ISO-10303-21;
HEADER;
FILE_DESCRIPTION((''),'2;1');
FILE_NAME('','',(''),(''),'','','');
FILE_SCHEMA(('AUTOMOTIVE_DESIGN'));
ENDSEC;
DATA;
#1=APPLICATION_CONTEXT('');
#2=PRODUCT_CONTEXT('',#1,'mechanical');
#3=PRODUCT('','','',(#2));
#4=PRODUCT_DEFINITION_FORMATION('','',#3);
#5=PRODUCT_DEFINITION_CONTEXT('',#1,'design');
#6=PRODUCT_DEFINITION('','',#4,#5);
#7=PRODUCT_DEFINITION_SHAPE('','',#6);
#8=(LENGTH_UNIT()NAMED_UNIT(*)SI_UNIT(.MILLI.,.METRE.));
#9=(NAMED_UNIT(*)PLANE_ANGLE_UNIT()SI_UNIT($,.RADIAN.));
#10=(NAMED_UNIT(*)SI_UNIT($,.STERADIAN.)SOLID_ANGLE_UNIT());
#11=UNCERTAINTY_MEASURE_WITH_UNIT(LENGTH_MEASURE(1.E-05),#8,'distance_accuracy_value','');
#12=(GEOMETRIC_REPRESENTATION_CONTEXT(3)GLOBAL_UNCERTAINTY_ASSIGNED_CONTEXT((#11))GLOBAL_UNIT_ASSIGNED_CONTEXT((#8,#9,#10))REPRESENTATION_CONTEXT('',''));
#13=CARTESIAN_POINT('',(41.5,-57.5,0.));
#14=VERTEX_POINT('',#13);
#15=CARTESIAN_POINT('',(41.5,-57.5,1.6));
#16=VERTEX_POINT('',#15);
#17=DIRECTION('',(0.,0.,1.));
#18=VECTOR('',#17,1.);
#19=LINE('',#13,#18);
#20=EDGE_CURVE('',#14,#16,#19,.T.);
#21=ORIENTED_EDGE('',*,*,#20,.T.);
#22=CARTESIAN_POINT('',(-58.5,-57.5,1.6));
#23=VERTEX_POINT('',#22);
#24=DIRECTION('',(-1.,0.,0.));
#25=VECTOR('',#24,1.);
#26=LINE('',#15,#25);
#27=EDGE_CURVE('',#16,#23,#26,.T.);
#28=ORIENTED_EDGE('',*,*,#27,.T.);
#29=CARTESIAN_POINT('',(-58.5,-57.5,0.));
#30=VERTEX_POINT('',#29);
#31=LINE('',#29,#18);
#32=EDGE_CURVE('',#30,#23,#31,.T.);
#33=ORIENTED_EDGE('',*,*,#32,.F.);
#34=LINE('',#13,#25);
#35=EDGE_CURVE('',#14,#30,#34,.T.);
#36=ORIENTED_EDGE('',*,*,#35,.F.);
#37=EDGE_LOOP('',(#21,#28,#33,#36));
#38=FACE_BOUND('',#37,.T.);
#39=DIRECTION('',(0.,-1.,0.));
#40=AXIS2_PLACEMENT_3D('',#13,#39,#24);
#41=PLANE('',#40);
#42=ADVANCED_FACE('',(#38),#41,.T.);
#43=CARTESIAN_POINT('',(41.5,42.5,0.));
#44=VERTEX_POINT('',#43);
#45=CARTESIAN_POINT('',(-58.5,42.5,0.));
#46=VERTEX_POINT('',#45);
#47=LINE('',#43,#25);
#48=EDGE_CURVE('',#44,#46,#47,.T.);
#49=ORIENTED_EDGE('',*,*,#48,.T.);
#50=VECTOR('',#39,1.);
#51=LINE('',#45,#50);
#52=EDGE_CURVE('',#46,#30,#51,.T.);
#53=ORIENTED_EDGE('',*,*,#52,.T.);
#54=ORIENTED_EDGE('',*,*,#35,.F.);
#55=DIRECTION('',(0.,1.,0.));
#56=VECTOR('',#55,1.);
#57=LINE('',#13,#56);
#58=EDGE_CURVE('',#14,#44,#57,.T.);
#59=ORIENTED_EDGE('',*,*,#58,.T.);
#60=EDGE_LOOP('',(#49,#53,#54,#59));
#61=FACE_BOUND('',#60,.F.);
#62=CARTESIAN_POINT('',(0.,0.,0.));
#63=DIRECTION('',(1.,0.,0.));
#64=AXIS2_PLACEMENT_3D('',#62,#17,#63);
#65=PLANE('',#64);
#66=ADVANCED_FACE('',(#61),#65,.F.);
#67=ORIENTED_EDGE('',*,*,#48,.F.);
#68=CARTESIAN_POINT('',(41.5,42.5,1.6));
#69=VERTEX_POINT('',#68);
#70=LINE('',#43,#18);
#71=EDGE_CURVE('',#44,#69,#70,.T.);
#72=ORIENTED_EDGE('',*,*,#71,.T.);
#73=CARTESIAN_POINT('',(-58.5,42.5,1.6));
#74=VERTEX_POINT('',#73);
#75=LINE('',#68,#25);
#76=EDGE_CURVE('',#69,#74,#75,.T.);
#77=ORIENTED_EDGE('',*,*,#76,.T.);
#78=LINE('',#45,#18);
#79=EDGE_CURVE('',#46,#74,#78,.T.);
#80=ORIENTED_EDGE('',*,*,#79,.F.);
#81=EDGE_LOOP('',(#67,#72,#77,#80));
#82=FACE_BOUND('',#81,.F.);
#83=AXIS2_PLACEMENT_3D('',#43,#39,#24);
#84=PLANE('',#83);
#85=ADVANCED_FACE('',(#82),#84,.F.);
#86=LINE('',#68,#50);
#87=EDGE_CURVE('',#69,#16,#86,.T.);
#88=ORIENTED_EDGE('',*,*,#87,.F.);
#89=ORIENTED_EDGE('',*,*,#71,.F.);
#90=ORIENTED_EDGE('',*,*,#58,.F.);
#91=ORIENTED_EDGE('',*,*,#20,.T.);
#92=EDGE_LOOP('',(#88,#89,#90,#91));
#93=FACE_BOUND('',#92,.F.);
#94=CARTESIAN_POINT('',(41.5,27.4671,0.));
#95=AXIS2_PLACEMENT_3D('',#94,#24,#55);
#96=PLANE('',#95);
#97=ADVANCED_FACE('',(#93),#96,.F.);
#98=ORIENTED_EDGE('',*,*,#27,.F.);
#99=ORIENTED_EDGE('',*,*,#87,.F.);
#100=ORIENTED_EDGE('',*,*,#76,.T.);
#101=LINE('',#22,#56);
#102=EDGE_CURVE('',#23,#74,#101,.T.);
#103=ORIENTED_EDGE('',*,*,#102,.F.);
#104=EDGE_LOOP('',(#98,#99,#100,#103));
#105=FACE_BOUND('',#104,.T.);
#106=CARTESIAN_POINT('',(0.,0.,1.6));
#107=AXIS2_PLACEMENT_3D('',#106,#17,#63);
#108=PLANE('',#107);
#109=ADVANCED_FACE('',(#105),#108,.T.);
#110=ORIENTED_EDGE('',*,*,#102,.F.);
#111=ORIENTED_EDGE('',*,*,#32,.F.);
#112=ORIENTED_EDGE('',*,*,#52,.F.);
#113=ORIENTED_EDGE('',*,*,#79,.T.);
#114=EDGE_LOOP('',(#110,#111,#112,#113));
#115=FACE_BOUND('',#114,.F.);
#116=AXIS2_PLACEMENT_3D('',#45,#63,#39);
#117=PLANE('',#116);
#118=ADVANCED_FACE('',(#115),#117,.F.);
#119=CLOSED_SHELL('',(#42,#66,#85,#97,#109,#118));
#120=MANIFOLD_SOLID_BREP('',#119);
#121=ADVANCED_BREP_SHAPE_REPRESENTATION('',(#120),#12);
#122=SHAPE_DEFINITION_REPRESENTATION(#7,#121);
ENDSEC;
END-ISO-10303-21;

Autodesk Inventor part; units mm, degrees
ref_plane "YZ Plane" through (0, 0, 0) normal (1, 0, 0) x (0, 1, 0)
ref_plane "XZ Plane" through (0, 0, 0) normal (0, 1, 0) x (-1, 0, 0)
ref_plane "XY Plane" through (0, 0, 0) normal (0, 0, 1) x (1, 0, 0)
sketch "Sketch1" plane through (0, 0, 0) normal (0, 0, 1) x (1, 0, 0)
  line L0 (-58.5, 42.5) -> (-58.5, -47.5) projected
  line L1 (-58.5, -47.5) -> (41.5, -47.5) projected
  line L2 (41.5, -47.5) -> (41.5, 42.5) projected
  line L3 (41.5, 42.5) -> (-58.5, 42.5) projected
  line L4 (-58.5, 42.5) -> (41.5, 42.5)
  line L5 (41.5, 42.5) -> (41.5, -57.5)
  line L6 (41.5, -57.5) -> (-58.5, -57.5)
  line L7 (-58.5, -57.5) -> (-58.5, 42.5)
  line L8 (42.73, 26.5) -> (60.73, 26.5)
  line L9 (60.73, 26.5) -> (60.73, 8.5)
  line L10 (60.73, 8.5) -> (42.73, 8.5)
  line L11 (42.73, 8.5) -> (42.73, 26.5)
  line L12 (42.73, -11.5) -> (42.73, 6.5)
  line L13 (60.73, -11.5) -> (42.73, -11.5)
  line L14 (60.73, 6.5) -> (60.73, -11.5)
  line L15 (42.73, 6.5) -> (60.73, 6.5)
  line L16 (42.73, -31.5) -> (42.73, -13.5)
  line L17 (60.73, -31.5) -> (42.73, -31.5)
  line L18 (60.73, -13.5) -> (60.73, -31.5)
  line L19 (42.73, -13.5) -> (60.73, -13.5)
  line L20 (41.5, 42.5) -> (41.5, 27.4671)
  line L21 (41.5, 27.4671) -> (41.5, -32.4671)
  line L22 (41.5, -32.4671) -> (41.5, -47.5)
  line L23 (-4, -34.5) -> (-13, -34.5) projected
  line L24 (-13, -34.5) -> (-13, 32.5) projected
  line L25 (-13, 32.5) -> (-4, 32.5) projected
  line L26 (-4, 32.5) -> (-4, -34.5) projected
  line L27 (-23, -34.5) -> (-32, -34.5) projected
  line L28 (-32, -34.5) -> (-32, 32.5) projected
  line L29 (-32, 32.5) -> (-23, 32.5) projected
  line L30 (-23, 32.5) -> (-23, -34.5) projected
  line L31 (15, -34.5) -> (6, -34.5) projected
  line L32 (6, -34.5) -> (6, 32.5) projected
  line L33 (6, 32.5) -> (15, 32.5) projected
  line L34 (15, 32.5) -> (15, -34.5) projected
  line L35 (-42, -34.5) -> (-51, -34.5) projected
  line L36 (-51, -34.5) -> (-51, 32.5) projected
  line L37 (-51, 32.5) -> (-42, 32.5) projected
  line L38 (-42, 32.5) -> (-42, -34.5) projected
  line L39 (34, -34.5) -> (25, -34.5) projected
  line L40 (25, -34.5) -> (25, 32.5) projected
  line L41 (25, 32.5) -> (34, 32.5) projected
  line L42 (34, 32.5) -> (34, -34.5) projected
  point P0 (0, 0)
  point P1 (-38.5, -35)
  point P2 (-41.5, -35)
  point P3 (-41.5, 32)
  point P4 (-38.5, 32)
  point P5 (-20.5, -35)
  point P6 (-23.5, -35)
  point P7 (-23.5, 32)
  point P8 (-20.5, 32)
  point P9 (-2.5, -35)
  point P10 (-5.5, -35)
  point P11 (-5.5, 32)
  point P12 (-2.5, 32)
  point P13 (15.5, -35)
  point P14 (12.5, -35)
  point P15 (12.5, 32)
  point P16 (15.5, 32)
  point P17 (33.5, -35)
  point P18 (30.5, -35)
  point P19 (30.5, 32)
  point P20 (33.5, 32)
  point P21 (41.5, -47.5)
  point P22 (-58.5, -47.5)
  point P23 (41.5, -2.5)
  dimension "d0" = 100
  dimension "d6" = 20
extrude "Extrusion1" add sketch "Sketch1" along normal blind 1.6 contours L3 L2 L1 L0 | L1 L5 L6 L7 | L23 L24 L25 L26 | L27 L28 L29 L30 | L31 L32 L33 L34 | L35 L36 L37 L38 | L39 L40 L41 L42
